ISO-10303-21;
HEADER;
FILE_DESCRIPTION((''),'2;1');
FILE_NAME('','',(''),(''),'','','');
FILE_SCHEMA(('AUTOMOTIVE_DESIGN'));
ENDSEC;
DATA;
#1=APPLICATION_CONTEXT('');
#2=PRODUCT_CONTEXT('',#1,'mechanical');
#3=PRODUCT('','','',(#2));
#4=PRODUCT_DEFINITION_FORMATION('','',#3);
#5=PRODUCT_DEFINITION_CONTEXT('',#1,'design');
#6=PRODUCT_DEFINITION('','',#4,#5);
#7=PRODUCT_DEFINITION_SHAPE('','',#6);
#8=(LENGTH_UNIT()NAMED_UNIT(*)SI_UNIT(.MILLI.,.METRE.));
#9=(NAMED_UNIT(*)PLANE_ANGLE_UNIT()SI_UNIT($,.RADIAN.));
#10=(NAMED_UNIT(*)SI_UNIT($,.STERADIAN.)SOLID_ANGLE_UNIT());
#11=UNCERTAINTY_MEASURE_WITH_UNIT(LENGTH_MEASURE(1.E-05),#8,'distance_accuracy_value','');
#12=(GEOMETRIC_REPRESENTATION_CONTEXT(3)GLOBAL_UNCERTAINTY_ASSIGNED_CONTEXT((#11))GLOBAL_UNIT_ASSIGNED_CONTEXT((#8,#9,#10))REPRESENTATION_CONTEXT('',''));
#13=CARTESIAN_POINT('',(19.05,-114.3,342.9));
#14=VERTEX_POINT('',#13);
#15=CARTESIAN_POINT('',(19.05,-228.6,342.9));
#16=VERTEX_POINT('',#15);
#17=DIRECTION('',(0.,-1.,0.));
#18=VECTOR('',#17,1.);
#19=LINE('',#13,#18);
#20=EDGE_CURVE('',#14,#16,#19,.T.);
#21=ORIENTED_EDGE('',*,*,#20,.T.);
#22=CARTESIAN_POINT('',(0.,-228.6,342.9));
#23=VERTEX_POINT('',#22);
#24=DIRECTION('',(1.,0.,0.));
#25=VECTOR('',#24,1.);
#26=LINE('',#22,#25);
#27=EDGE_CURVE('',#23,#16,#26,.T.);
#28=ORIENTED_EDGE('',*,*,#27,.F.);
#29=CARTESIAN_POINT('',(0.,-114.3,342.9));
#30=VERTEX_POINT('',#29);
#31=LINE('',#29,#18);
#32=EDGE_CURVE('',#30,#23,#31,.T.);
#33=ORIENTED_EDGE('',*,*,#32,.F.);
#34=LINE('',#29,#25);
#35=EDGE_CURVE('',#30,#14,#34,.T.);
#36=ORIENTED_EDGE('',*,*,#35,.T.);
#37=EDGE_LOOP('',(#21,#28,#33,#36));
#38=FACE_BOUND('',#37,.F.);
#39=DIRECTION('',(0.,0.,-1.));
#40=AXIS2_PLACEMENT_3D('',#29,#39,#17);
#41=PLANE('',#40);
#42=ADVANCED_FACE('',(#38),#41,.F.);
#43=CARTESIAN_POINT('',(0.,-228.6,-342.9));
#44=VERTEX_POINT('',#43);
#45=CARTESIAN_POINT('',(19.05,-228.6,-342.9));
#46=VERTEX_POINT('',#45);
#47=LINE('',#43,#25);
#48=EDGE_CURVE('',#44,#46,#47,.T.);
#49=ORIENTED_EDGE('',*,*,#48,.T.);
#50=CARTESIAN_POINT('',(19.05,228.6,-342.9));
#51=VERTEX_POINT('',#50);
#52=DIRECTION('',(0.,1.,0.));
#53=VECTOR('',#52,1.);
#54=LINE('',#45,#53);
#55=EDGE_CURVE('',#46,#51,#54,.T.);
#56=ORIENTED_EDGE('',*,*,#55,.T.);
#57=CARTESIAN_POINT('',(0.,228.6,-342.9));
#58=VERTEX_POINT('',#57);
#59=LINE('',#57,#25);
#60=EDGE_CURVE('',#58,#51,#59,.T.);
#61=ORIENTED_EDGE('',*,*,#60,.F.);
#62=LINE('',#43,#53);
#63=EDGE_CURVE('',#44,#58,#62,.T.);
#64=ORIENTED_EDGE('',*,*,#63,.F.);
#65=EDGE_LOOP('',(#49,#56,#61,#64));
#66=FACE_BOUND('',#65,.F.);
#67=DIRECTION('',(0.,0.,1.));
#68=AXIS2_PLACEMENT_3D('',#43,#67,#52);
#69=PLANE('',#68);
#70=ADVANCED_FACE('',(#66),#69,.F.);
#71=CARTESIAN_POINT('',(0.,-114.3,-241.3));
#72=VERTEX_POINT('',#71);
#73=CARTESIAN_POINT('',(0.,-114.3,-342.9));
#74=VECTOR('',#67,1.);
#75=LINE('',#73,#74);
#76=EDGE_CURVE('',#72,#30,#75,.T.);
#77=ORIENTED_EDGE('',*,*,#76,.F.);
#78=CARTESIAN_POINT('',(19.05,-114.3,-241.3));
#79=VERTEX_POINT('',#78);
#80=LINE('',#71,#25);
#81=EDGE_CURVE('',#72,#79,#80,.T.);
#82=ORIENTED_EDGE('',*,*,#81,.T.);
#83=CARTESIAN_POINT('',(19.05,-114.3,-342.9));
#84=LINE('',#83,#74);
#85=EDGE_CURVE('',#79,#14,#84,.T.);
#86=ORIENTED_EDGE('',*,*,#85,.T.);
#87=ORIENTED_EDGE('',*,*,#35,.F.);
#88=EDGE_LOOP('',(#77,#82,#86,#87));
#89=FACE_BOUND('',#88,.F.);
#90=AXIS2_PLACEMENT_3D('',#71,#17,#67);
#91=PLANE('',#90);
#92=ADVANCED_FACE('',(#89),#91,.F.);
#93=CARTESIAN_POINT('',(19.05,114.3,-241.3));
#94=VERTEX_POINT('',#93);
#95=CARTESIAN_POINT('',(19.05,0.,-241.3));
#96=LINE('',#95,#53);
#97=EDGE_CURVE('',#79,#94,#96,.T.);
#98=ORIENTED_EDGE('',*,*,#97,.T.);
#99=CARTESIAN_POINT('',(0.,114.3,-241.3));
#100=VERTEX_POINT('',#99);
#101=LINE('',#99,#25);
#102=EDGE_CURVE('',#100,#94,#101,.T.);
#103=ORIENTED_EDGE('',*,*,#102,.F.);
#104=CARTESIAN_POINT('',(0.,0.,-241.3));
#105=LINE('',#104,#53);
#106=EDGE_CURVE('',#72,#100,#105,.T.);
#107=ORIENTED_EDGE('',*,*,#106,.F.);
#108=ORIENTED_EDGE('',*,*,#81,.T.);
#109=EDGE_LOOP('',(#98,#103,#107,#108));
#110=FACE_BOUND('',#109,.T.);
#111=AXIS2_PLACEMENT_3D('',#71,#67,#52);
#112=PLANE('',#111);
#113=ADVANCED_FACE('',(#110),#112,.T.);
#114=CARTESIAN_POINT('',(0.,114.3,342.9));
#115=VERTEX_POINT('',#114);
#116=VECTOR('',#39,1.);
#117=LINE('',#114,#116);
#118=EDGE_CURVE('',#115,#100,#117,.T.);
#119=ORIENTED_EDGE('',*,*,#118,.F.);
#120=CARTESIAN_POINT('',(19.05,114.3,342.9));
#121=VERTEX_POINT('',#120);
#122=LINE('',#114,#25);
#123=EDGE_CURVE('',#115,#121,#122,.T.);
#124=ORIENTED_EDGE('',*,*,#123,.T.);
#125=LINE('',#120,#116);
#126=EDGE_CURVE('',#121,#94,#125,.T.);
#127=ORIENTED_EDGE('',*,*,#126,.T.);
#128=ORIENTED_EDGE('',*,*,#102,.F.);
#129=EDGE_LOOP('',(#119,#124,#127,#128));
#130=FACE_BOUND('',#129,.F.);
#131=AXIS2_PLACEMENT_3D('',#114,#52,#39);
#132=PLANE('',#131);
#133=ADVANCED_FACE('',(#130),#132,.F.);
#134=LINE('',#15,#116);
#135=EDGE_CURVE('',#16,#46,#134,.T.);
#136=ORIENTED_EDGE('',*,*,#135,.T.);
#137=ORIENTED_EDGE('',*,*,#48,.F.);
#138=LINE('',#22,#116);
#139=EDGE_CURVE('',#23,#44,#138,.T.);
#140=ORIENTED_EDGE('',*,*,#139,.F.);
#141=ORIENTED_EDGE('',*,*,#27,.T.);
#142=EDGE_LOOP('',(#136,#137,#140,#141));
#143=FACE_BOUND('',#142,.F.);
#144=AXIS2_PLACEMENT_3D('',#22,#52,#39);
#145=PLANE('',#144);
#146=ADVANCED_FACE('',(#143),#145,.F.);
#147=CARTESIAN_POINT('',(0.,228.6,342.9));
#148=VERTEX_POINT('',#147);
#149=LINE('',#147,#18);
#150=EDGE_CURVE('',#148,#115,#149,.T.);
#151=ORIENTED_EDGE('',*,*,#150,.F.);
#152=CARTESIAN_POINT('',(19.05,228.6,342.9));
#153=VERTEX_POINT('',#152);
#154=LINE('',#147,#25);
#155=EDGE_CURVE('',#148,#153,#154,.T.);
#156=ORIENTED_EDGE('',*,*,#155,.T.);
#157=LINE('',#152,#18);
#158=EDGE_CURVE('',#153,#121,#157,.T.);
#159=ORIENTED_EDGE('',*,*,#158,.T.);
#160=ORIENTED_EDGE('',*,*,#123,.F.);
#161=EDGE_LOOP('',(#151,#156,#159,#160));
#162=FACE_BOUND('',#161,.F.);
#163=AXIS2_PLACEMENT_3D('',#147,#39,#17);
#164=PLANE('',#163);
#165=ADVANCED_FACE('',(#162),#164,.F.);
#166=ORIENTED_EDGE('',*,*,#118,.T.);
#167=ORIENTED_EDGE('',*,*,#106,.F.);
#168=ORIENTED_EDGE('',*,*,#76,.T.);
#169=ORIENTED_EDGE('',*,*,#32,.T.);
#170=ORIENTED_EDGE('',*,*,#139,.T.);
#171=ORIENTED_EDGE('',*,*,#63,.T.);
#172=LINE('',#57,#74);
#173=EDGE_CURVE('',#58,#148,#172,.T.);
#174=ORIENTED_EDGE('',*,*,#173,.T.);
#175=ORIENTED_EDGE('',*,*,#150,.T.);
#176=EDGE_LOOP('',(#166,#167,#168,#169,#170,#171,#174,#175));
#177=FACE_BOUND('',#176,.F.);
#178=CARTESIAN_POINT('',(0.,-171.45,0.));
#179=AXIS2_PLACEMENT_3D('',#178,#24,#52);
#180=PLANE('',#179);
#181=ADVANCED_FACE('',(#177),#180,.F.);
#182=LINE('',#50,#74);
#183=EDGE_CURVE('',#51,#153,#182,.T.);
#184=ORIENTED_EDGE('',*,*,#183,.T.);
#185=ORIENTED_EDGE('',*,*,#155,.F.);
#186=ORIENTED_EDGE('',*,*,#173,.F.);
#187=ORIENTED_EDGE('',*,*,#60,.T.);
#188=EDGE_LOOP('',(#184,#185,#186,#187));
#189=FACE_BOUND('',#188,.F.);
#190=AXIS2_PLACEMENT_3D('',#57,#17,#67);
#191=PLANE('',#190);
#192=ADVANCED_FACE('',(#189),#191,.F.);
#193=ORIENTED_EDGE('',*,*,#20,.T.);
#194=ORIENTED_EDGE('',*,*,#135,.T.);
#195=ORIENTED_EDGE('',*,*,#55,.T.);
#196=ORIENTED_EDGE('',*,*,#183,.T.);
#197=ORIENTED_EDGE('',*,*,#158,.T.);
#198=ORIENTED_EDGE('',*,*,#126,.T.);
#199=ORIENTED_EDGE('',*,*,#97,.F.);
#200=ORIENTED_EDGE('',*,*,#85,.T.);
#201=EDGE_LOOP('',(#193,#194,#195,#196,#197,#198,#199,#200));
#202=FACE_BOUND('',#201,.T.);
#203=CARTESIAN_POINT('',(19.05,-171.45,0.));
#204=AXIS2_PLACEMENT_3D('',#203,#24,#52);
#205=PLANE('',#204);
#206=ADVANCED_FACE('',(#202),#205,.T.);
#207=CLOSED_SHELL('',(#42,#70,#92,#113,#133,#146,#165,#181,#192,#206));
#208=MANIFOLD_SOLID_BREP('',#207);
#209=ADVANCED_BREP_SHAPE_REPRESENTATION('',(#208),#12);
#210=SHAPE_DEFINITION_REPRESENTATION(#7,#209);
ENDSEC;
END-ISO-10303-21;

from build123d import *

# Parameters (mm, degrees)
F0_W     = 228.6
F0_H     = 101.6
F1_DEPTH = 19.05


with BuildPart() as f1:
    # F0 (on Right) → F1 (new body)
    with BuildSketch(Plane.YZ):
        Polygon((-114.3, -241.3), (-114.3, 342.9), (-228.6, 342.9), (-228.6, -342.9), (-114.3, -342.9), align=None)
        with Locations((0, -292.1)):
            Rectangle(F0_W, F0_H)
        Polygon((228.6, -342.9), (228.6, 342.9), (114.3, 342.9), (114.3, -241.3), (114.3, -342.9), align=None)
    extrude(amount=F1_DEPTH)


solid = f1.part
